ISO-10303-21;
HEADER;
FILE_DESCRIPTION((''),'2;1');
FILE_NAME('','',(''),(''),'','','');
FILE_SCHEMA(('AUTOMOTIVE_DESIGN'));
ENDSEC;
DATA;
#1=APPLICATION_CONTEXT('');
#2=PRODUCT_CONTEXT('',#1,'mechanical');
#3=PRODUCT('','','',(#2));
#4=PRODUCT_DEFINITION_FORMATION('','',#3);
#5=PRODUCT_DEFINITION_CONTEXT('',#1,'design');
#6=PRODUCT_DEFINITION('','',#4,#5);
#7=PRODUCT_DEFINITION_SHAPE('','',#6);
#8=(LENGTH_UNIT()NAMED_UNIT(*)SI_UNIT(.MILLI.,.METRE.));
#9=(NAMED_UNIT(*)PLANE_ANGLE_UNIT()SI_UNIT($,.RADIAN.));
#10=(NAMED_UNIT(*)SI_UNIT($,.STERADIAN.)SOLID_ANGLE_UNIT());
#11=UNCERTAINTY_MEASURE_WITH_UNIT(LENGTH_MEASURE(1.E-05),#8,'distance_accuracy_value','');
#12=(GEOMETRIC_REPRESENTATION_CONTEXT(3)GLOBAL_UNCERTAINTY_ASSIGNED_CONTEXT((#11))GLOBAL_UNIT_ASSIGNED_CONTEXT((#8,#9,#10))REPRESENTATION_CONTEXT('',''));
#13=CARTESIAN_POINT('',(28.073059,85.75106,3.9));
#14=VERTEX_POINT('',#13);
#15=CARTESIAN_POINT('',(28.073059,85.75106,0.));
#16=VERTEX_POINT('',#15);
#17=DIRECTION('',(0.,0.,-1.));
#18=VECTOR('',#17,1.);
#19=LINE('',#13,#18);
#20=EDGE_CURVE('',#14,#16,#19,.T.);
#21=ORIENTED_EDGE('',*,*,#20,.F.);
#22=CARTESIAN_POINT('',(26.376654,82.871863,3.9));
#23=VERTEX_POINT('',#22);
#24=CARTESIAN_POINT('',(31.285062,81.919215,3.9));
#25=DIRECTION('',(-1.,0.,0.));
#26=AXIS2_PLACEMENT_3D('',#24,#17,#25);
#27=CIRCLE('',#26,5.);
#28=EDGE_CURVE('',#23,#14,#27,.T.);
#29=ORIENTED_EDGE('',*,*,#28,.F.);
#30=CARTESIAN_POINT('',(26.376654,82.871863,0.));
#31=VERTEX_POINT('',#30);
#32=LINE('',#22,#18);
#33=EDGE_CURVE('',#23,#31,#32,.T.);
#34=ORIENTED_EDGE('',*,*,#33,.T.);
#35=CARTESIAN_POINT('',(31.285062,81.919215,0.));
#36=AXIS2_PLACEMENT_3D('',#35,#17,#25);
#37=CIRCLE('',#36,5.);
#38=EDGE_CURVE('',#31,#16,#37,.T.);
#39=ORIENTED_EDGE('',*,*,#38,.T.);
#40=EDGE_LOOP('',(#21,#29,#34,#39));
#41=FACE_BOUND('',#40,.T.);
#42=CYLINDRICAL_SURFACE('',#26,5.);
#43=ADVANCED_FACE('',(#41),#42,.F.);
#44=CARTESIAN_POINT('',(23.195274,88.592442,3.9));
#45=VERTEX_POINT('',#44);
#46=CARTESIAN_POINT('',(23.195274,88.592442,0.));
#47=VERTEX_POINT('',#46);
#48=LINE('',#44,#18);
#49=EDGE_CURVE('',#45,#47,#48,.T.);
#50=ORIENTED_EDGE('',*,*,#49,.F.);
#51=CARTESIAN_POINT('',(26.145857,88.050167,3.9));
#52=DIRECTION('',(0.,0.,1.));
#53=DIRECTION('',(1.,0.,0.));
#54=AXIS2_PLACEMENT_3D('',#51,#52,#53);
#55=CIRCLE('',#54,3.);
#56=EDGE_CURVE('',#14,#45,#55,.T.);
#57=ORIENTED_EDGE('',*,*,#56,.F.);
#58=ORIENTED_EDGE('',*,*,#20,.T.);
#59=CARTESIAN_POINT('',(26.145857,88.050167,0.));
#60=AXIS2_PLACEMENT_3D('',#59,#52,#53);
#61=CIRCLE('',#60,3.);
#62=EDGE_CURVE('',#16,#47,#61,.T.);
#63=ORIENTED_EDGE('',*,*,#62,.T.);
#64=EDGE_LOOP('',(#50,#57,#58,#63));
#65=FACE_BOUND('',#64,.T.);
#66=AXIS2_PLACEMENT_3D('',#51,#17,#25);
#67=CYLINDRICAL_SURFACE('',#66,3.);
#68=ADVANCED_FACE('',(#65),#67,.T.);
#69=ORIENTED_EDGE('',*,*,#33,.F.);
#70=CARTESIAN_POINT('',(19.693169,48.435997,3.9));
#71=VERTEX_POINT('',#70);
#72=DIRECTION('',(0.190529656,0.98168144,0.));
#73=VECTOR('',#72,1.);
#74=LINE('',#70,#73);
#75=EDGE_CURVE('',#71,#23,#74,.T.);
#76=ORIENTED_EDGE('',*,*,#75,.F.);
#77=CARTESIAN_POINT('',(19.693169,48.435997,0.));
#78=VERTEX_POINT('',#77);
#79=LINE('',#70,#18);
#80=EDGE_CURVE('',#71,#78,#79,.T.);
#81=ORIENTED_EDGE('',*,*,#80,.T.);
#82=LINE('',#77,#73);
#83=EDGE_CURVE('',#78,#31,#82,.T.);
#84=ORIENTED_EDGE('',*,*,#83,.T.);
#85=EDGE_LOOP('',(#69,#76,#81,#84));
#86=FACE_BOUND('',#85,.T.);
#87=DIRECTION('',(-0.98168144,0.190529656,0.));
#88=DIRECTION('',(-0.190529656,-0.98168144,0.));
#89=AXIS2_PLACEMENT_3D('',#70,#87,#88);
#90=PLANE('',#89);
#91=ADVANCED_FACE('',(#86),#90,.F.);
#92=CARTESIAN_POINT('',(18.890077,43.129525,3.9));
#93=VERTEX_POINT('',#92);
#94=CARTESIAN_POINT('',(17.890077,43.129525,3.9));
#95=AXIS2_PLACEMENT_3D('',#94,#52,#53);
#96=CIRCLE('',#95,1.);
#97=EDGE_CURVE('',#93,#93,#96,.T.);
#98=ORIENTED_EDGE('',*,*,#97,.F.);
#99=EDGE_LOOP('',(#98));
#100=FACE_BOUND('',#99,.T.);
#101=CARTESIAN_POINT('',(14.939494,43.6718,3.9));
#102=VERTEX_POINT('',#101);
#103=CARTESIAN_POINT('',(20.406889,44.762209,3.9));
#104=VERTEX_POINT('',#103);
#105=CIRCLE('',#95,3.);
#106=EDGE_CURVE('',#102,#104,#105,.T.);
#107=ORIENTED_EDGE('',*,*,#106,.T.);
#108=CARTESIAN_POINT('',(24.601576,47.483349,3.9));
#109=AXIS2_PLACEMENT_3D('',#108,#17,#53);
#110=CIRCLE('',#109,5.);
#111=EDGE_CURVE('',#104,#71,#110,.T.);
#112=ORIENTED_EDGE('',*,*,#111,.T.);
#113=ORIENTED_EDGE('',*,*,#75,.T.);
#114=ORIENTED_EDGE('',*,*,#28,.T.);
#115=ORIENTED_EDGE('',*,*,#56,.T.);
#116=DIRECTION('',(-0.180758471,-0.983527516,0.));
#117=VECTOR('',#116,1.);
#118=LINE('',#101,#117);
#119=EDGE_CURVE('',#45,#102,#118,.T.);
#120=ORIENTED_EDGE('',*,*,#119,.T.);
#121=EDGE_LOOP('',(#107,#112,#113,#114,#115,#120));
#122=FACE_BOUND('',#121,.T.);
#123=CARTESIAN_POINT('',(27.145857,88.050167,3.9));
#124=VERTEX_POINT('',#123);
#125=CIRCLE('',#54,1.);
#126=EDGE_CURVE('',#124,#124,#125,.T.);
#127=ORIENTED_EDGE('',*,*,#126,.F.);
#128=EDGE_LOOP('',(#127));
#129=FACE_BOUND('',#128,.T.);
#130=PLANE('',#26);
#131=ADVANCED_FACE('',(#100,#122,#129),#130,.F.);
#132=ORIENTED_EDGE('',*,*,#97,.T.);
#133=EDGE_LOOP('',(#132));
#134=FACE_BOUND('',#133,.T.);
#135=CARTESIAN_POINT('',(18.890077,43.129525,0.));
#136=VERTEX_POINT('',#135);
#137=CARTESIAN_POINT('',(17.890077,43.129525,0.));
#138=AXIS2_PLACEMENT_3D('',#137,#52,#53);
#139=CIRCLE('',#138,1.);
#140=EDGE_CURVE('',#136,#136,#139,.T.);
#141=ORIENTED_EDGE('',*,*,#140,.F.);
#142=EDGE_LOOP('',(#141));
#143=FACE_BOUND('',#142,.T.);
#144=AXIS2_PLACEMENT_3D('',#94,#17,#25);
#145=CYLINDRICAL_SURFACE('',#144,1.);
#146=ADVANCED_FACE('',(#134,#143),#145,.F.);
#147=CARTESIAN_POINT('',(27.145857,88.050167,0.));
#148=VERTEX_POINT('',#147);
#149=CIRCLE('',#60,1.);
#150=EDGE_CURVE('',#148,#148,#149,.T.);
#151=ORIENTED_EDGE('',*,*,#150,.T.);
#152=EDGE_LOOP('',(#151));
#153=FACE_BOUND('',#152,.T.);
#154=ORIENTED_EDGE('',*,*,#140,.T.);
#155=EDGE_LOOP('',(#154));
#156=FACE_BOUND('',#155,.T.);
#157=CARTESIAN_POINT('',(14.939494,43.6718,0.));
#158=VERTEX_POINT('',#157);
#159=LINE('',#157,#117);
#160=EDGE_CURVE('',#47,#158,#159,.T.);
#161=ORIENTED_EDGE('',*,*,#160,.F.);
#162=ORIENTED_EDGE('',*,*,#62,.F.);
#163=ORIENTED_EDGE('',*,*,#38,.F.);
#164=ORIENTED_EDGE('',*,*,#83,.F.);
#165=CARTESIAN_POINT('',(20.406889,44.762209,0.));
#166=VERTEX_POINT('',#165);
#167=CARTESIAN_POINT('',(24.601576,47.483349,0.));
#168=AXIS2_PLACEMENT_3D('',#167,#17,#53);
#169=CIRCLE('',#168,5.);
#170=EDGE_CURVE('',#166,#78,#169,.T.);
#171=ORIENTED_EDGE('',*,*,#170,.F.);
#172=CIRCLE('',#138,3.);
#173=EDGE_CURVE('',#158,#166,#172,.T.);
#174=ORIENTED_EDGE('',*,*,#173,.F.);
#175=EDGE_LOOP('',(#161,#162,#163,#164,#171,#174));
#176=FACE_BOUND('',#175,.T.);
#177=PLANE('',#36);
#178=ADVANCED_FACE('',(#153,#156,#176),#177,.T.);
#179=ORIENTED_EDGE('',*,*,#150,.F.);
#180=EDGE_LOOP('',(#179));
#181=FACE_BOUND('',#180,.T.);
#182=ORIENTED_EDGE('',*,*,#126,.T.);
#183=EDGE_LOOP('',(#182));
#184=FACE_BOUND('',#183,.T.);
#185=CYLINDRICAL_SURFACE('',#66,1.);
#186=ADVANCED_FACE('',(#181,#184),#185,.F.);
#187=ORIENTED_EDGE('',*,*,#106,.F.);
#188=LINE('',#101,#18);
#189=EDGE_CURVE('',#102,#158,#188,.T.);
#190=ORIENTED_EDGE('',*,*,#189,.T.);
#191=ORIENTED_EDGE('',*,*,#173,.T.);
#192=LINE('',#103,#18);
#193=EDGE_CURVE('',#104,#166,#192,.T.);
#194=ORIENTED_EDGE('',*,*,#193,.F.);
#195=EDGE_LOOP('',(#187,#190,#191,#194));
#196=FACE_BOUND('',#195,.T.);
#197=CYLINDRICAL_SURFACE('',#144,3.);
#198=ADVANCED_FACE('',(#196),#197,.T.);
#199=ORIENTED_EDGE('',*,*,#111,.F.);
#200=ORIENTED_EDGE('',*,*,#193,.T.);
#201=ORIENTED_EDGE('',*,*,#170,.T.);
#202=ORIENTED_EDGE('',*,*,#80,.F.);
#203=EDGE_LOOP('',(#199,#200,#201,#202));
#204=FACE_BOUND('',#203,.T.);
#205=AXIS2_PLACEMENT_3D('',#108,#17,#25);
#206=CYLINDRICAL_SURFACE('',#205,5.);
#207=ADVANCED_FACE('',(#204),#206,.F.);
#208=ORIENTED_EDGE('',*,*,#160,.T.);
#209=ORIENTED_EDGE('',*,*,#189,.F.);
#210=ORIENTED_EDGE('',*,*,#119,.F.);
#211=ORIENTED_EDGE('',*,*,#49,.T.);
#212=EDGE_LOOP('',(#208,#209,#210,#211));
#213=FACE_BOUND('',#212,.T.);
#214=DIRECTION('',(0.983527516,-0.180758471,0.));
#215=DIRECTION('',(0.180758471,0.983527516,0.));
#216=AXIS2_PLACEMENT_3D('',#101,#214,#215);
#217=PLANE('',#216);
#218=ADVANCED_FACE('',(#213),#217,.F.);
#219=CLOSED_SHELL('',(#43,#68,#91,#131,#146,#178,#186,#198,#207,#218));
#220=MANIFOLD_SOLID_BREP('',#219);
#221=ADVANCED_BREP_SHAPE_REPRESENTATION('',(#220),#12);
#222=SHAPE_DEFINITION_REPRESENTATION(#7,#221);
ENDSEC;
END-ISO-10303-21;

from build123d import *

# Parameters (mm, degrees)
SKETCH7_R           = 1
BOSS_EXTRUDE2_DEPTH = 3.9


with BuildPart() as part:
    # Sketch7 → Boss-Extrude2 (new body)
    with BuildSketch(Plane.XY):
        with BuildLine():
            Line((14.939494353, 43.671800322), (23.195274145, 88.592442488))
            ThreePointArc((23.195274145, 88.592442488), (27.655886689, 90.642426594), (28.073058509, 85.75106004))
            ThreePointArc((28.073058509, 85.75106004), (26.977195581, 84.457381822), (26.376654335, 82.871863263))
            Line((26.376654335, 82.871863263), (19.693168718, 48.435996906))
            ThreePointArc((19.693168718, 48.435996906), (19.693341996, 46.529807983), (20.406889033, 44.762208802))
            ThreePointArc((20.406889033, 44.762208802), (18.476836527, 40.187465572), (14.939494353, 43.671800322))
        make_face()
        with Locations((17.890076902, 43.129524909)):
            Circle(SKETCH7_R, mode=Mode.SUBTRACT)
        with Locations((26.145856694, 88.050167075)):
            Circle(SKETCH7_R, mode=Mode.SUBTRACT)
    extrude(amount=BOSS_EXTRUDE2_DEPTH)


solid = part.part
